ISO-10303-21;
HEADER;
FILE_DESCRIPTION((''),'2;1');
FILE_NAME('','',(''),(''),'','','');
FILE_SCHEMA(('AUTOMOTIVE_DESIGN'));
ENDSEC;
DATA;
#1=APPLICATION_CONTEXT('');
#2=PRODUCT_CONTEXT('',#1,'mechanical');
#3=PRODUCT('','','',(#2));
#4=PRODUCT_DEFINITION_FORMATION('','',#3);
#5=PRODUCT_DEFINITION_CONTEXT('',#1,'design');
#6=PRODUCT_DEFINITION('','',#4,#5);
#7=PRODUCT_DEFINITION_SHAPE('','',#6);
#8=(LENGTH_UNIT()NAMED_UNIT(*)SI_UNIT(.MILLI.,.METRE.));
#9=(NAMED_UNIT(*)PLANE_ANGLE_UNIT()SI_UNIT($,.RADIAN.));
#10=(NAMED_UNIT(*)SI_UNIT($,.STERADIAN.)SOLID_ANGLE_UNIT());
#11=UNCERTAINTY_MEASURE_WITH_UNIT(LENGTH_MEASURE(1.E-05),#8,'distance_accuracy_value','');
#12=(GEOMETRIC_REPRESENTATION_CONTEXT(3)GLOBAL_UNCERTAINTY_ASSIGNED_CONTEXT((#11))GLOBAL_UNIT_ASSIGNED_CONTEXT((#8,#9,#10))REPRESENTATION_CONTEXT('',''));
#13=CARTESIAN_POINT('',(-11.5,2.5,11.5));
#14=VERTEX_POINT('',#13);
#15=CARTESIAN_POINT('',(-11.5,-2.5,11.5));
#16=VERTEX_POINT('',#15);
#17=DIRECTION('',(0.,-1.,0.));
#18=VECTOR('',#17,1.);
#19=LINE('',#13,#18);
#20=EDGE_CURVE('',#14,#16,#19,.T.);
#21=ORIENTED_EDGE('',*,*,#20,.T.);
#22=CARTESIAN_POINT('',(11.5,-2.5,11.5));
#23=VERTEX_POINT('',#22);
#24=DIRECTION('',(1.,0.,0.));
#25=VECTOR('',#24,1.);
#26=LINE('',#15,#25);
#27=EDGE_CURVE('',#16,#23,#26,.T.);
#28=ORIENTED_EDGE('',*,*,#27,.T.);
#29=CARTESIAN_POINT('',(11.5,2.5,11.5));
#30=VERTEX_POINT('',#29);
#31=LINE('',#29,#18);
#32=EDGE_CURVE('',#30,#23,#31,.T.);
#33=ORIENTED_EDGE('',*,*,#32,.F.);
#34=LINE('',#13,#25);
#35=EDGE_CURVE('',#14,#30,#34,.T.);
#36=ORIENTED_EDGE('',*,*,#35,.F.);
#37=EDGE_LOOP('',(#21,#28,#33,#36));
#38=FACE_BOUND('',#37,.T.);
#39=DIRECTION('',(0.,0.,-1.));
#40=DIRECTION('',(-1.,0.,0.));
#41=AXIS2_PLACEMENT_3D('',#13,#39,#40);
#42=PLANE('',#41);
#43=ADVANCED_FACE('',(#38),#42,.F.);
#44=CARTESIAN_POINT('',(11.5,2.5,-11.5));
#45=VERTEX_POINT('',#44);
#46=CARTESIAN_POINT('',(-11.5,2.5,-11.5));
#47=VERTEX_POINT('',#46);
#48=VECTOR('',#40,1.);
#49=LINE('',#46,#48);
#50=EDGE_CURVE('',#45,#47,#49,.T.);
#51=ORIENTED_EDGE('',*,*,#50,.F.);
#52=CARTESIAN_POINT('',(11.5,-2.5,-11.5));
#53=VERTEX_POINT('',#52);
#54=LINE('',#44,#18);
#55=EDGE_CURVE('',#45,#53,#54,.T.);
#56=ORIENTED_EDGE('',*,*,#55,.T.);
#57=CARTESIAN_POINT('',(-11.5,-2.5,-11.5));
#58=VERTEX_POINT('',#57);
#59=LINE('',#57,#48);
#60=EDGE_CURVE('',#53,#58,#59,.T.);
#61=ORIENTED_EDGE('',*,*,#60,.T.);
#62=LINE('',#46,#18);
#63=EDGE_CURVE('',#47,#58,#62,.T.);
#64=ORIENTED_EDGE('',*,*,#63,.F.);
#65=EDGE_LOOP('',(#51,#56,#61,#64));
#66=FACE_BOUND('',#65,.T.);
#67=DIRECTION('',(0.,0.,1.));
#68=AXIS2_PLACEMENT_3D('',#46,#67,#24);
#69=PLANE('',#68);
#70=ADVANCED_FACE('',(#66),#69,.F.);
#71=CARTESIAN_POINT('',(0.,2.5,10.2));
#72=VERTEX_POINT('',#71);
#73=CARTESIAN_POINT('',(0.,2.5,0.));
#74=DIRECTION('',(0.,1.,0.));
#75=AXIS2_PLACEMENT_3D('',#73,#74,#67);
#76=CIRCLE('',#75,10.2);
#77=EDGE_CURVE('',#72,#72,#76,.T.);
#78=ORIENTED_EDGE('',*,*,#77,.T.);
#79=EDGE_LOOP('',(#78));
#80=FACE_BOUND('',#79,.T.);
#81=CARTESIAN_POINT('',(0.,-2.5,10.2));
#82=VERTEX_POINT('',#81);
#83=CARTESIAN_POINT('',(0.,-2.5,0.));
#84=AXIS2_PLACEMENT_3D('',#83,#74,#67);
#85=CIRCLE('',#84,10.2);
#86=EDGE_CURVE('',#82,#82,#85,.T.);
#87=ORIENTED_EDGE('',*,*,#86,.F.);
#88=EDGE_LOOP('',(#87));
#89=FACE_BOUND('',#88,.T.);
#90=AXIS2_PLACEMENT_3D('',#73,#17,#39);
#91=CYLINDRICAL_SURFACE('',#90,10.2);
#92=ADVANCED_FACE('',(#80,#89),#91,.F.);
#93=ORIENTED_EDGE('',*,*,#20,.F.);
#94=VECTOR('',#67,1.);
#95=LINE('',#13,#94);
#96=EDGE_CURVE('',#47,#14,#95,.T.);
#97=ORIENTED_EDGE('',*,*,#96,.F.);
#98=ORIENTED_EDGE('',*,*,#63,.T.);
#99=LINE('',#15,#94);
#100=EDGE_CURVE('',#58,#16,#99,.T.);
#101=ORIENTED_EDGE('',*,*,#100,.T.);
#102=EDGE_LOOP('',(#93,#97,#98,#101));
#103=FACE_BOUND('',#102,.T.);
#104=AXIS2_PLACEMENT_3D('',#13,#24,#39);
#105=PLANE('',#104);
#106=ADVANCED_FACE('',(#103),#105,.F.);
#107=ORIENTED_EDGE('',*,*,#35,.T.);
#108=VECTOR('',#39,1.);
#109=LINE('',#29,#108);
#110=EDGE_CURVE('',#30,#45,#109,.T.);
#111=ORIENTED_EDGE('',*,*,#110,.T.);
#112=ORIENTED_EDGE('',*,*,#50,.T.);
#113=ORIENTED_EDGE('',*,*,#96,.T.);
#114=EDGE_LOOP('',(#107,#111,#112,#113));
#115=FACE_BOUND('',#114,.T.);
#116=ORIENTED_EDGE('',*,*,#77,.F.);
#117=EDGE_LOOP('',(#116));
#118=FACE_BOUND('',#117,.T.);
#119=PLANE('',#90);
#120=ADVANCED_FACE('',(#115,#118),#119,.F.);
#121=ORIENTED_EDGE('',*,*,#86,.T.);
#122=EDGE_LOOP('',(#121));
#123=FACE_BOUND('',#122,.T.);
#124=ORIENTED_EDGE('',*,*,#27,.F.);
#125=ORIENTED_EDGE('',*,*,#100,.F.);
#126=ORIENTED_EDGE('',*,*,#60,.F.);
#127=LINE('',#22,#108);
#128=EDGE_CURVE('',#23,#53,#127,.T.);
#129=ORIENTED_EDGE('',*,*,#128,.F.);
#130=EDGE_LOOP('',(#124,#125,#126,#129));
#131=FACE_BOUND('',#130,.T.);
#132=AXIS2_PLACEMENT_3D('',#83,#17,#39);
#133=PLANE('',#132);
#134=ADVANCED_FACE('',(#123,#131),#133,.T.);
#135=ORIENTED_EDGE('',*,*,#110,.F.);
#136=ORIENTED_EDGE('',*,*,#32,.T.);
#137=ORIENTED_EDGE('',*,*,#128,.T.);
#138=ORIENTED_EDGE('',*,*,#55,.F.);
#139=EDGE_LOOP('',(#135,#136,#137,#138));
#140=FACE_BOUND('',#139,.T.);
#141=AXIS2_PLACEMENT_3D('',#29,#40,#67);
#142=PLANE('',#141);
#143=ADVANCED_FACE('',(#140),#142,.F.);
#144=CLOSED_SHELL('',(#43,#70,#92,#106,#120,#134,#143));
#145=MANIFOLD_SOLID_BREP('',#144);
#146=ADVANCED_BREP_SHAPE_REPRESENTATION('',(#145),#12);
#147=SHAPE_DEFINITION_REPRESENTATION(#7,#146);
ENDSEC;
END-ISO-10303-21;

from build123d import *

# Parameters (mm, degrees)
SKETCH1_W           = 23
SKETCH1_H           = 23
SKETCH1_R           = 10.2
BOSS_EXTRUDE1_DEPTH = 2.5


with BuildPart() as part:
    # Sketch1 → Boss-Extrude1 (new body, symmetric)
    with BuildSketch(Plane(origin=(0, 0, 0), x_dir=(1, 0, 0), z_dir=(0, 1, 0))):
        Rectangle(SKETCH1_W, SKETCH1_H)
        Circle(SKETCH1_R, mode=Mode.SUBTRACT)
    extrude(amount=BOSS_EXTRUDE1_DEPTH, both=True)


solid = part.part
